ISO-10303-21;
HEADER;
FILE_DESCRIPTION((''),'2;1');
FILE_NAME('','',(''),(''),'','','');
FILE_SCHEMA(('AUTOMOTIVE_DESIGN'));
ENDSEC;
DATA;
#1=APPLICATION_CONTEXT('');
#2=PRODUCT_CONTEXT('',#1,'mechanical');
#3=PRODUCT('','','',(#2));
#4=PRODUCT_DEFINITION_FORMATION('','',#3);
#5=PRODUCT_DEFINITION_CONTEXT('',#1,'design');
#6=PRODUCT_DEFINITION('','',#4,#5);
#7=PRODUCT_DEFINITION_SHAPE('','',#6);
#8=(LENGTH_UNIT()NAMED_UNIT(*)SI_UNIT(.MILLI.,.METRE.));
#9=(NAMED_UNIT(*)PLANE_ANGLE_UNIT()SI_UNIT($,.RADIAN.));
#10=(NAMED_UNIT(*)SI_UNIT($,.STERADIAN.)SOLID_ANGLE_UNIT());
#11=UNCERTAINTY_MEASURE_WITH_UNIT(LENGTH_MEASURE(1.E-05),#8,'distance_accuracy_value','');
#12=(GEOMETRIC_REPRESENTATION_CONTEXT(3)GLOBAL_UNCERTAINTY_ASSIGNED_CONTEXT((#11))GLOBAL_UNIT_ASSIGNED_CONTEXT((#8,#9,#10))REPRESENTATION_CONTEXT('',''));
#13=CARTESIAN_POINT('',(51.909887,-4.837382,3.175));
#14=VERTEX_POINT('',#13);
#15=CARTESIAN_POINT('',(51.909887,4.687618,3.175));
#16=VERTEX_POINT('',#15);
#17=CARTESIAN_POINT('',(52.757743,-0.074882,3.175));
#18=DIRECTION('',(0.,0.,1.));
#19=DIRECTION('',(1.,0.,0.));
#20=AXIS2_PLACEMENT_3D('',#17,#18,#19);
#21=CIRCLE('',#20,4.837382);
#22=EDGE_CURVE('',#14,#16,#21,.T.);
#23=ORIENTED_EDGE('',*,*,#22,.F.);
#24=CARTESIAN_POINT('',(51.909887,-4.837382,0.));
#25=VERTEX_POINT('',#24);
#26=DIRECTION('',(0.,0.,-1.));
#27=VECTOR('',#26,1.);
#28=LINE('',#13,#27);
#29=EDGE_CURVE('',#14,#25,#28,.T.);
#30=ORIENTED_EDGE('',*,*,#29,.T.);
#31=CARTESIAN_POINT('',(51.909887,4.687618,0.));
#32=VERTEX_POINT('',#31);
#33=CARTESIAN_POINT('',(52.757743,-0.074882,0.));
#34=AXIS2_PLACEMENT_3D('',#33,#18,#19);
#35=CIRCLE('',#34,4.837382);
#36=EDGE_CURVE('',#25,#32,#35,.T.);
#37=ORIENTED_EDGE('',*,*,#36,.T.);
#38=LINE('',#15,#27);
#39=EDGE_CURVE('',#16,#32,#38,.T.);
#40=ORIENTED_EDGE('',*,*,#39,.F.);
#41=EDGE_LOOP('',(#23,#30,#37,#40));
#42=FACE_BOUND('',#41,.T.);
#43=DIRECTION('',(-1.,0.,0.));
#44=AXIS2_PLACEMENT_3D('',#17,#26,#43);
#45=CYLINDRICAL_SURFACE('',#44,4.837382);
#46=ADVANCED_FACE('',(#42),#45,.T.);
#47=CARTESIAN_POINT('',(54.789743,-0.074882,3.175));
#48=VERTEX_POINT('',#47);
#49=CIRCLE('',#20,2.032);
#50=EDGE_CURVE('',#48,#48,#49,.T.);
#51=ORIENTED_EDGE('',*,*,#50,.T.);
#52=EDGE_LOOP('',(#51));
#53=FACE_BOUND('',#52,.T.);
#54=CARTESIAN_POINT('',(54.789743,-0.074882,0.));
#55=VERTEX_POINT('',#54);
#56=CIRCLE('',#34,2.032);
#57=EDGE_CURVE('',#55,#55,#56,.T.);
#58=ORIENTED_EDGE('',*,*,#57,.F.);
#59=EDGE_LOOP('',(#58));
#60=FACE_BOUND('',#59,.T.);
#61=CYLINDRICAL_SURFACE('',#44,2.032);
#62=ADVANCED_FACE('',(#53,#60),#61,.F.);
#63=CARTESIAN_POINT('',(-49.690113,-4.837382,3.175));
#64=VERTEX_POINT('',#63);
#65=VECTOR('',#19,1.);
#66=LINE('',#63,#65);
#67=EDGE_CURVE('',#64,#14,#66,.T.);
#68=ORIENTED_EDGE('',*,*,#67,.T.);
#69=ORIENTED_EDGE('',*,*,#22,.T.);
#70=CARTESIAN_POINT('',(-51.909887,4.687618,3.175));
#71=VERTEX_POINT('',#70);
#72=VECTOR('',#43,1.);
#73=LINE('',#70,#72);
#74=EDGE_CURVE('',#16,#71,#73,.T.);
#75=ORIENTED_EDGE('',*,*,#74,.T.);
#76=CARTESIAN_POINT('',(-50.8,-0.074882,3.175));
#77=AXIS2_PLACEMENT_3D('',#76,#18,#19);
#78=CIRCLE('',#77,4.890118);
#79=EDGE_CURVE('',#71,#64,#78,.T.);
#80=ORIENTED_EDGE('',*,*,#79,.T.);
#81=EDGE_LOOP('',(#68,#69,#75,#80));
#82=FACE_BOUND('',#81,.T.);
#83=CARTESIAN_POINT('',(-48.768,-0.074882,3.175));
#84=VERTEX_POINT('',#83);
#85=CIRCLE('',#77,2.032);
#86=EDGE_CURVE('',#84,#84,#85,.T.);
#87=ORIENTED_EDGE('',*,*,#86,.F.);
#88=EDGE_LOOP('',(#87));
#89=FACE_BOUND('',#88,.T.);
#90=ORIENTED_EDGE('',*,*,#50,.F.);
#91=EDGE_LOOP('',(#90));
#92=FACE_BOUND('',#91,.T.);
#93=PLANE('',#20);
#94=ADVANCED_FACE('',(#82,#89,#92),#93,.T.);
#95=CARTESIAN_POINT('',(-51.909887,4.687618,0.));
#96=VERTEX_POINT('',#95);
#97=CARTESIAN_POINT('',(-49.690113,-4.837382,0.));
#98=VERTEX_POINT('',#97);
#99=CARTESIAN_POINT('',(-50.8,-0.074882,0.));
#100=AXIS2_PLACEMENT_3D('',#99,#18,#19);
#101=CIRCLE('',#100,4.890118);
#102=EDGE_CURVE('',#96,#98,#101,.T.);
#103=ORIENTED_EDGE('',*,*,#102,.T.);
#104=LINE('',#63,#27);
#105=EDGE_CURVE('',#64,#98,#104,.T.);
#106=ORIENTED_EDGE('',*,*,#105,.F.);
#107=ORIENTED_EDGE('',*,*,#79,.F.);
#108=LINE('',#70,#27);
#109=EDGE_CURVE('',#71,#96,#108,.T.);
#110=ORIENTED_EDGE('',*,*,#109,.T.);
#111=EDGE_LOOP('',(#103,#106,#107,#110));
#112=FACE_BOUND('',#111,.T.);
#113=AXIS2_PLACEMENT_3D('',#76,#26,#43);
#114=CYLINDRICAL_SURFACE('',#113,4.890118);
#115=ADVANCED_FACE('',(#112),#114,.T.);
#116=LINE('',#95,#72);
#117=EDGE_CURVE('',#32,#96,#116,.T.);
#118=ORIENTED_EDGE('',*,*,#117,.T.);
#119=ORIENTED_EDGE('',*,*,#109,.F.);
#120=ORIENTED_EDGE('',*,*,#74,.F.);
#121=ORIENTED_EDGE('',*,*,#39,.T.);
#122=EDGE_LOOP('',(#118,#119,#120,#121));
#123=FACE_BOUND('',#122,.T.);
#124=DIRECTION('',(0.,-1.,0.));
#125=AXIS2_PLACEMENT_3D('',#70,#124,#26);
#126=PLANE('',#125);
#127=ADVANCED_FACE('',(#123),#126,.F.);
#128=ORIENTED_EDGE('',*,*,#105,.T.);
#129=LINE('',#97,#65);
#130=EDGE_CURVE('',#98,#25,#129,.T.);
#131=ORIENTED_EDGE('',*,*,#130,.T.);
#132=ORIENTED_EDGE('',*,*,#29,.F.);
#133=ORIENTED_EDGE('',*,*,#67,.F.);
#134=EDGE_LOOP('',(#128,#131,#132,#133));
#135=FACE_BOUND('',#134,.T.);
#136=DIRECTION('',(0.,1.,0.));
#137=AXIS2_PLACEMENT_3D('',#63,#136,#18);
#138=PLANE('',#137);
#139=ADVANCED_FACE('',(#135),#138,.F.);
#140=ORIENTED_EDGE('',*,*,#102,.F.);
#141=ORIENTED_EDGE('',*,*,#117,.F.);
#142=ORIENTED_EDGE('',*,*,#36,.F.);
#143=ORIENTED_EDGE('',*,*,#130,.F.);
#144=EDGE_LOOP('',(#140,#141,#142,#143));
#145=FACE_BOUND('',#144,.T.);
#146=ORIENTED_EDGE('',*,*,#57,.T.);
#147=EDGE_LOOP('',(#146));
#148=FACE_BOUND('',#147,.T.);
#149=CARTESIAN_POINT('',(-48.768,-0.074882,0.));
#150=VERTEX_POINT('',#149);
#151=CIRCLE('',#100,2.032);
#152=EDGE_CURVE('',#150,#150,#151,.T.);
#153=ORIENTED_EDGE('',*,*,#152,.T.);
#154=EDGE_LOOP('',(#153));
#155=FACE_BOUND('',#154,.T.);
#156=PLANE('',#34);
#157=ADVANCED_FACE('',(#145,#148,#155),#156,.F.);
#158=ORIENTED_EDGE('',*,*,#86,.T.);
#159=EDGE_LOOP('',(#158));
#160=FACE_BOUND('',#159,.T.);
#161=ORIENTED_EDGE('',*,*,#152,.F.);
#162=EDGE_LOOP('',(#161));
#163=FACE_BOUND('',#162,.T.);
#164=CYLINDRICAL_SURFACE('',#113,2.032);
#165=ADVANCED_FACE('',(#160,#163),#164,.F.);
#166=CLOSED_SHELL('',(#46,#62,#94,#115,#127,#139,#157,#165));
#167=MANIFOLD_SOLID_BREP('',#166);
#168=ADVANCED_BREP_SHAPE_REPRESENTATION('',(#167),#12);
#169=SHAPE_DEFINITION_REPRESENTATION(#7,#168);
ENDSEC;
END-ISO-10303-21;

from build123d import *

# Parameters (mm, degrees)
SKETCH1_R      = 2.032
EXTRUDE1_DEPTH = 3.175


with BuildPart() as part:
    # Sketch1 → Extrude1 (new body)
    with BuildSketch(Plane.XY):
        with BuildLine():
            Line((-51.909886978, 4.687617925), (51.909886978, 4.687617925))
            ThreePointArc((51.909886978, 4.687617925), (57.595124639, -0.074882075), (51.909886978, -4.837382075))
            Line((51.909886978, -4.837382075), (-49.690113022, -4.837382075))
            ThreePointArc((-49.690113022, -4.837382075), (-55.5625, -1.184769053), (-51.909886978, 4.687617925))
        make_face()
        with Locations((-50.8, -0.074882075)):
            Circle(SKETCH1_R, mode=Mode.SUBTRACT)
        with Locations((52.757742564, -0.074882075)):
            Circle(SKETCH1_R, mode=Mode.SUBTRACT)
    extrude(amount=EXTRUDE1_DEPTH)


solid = part.part
